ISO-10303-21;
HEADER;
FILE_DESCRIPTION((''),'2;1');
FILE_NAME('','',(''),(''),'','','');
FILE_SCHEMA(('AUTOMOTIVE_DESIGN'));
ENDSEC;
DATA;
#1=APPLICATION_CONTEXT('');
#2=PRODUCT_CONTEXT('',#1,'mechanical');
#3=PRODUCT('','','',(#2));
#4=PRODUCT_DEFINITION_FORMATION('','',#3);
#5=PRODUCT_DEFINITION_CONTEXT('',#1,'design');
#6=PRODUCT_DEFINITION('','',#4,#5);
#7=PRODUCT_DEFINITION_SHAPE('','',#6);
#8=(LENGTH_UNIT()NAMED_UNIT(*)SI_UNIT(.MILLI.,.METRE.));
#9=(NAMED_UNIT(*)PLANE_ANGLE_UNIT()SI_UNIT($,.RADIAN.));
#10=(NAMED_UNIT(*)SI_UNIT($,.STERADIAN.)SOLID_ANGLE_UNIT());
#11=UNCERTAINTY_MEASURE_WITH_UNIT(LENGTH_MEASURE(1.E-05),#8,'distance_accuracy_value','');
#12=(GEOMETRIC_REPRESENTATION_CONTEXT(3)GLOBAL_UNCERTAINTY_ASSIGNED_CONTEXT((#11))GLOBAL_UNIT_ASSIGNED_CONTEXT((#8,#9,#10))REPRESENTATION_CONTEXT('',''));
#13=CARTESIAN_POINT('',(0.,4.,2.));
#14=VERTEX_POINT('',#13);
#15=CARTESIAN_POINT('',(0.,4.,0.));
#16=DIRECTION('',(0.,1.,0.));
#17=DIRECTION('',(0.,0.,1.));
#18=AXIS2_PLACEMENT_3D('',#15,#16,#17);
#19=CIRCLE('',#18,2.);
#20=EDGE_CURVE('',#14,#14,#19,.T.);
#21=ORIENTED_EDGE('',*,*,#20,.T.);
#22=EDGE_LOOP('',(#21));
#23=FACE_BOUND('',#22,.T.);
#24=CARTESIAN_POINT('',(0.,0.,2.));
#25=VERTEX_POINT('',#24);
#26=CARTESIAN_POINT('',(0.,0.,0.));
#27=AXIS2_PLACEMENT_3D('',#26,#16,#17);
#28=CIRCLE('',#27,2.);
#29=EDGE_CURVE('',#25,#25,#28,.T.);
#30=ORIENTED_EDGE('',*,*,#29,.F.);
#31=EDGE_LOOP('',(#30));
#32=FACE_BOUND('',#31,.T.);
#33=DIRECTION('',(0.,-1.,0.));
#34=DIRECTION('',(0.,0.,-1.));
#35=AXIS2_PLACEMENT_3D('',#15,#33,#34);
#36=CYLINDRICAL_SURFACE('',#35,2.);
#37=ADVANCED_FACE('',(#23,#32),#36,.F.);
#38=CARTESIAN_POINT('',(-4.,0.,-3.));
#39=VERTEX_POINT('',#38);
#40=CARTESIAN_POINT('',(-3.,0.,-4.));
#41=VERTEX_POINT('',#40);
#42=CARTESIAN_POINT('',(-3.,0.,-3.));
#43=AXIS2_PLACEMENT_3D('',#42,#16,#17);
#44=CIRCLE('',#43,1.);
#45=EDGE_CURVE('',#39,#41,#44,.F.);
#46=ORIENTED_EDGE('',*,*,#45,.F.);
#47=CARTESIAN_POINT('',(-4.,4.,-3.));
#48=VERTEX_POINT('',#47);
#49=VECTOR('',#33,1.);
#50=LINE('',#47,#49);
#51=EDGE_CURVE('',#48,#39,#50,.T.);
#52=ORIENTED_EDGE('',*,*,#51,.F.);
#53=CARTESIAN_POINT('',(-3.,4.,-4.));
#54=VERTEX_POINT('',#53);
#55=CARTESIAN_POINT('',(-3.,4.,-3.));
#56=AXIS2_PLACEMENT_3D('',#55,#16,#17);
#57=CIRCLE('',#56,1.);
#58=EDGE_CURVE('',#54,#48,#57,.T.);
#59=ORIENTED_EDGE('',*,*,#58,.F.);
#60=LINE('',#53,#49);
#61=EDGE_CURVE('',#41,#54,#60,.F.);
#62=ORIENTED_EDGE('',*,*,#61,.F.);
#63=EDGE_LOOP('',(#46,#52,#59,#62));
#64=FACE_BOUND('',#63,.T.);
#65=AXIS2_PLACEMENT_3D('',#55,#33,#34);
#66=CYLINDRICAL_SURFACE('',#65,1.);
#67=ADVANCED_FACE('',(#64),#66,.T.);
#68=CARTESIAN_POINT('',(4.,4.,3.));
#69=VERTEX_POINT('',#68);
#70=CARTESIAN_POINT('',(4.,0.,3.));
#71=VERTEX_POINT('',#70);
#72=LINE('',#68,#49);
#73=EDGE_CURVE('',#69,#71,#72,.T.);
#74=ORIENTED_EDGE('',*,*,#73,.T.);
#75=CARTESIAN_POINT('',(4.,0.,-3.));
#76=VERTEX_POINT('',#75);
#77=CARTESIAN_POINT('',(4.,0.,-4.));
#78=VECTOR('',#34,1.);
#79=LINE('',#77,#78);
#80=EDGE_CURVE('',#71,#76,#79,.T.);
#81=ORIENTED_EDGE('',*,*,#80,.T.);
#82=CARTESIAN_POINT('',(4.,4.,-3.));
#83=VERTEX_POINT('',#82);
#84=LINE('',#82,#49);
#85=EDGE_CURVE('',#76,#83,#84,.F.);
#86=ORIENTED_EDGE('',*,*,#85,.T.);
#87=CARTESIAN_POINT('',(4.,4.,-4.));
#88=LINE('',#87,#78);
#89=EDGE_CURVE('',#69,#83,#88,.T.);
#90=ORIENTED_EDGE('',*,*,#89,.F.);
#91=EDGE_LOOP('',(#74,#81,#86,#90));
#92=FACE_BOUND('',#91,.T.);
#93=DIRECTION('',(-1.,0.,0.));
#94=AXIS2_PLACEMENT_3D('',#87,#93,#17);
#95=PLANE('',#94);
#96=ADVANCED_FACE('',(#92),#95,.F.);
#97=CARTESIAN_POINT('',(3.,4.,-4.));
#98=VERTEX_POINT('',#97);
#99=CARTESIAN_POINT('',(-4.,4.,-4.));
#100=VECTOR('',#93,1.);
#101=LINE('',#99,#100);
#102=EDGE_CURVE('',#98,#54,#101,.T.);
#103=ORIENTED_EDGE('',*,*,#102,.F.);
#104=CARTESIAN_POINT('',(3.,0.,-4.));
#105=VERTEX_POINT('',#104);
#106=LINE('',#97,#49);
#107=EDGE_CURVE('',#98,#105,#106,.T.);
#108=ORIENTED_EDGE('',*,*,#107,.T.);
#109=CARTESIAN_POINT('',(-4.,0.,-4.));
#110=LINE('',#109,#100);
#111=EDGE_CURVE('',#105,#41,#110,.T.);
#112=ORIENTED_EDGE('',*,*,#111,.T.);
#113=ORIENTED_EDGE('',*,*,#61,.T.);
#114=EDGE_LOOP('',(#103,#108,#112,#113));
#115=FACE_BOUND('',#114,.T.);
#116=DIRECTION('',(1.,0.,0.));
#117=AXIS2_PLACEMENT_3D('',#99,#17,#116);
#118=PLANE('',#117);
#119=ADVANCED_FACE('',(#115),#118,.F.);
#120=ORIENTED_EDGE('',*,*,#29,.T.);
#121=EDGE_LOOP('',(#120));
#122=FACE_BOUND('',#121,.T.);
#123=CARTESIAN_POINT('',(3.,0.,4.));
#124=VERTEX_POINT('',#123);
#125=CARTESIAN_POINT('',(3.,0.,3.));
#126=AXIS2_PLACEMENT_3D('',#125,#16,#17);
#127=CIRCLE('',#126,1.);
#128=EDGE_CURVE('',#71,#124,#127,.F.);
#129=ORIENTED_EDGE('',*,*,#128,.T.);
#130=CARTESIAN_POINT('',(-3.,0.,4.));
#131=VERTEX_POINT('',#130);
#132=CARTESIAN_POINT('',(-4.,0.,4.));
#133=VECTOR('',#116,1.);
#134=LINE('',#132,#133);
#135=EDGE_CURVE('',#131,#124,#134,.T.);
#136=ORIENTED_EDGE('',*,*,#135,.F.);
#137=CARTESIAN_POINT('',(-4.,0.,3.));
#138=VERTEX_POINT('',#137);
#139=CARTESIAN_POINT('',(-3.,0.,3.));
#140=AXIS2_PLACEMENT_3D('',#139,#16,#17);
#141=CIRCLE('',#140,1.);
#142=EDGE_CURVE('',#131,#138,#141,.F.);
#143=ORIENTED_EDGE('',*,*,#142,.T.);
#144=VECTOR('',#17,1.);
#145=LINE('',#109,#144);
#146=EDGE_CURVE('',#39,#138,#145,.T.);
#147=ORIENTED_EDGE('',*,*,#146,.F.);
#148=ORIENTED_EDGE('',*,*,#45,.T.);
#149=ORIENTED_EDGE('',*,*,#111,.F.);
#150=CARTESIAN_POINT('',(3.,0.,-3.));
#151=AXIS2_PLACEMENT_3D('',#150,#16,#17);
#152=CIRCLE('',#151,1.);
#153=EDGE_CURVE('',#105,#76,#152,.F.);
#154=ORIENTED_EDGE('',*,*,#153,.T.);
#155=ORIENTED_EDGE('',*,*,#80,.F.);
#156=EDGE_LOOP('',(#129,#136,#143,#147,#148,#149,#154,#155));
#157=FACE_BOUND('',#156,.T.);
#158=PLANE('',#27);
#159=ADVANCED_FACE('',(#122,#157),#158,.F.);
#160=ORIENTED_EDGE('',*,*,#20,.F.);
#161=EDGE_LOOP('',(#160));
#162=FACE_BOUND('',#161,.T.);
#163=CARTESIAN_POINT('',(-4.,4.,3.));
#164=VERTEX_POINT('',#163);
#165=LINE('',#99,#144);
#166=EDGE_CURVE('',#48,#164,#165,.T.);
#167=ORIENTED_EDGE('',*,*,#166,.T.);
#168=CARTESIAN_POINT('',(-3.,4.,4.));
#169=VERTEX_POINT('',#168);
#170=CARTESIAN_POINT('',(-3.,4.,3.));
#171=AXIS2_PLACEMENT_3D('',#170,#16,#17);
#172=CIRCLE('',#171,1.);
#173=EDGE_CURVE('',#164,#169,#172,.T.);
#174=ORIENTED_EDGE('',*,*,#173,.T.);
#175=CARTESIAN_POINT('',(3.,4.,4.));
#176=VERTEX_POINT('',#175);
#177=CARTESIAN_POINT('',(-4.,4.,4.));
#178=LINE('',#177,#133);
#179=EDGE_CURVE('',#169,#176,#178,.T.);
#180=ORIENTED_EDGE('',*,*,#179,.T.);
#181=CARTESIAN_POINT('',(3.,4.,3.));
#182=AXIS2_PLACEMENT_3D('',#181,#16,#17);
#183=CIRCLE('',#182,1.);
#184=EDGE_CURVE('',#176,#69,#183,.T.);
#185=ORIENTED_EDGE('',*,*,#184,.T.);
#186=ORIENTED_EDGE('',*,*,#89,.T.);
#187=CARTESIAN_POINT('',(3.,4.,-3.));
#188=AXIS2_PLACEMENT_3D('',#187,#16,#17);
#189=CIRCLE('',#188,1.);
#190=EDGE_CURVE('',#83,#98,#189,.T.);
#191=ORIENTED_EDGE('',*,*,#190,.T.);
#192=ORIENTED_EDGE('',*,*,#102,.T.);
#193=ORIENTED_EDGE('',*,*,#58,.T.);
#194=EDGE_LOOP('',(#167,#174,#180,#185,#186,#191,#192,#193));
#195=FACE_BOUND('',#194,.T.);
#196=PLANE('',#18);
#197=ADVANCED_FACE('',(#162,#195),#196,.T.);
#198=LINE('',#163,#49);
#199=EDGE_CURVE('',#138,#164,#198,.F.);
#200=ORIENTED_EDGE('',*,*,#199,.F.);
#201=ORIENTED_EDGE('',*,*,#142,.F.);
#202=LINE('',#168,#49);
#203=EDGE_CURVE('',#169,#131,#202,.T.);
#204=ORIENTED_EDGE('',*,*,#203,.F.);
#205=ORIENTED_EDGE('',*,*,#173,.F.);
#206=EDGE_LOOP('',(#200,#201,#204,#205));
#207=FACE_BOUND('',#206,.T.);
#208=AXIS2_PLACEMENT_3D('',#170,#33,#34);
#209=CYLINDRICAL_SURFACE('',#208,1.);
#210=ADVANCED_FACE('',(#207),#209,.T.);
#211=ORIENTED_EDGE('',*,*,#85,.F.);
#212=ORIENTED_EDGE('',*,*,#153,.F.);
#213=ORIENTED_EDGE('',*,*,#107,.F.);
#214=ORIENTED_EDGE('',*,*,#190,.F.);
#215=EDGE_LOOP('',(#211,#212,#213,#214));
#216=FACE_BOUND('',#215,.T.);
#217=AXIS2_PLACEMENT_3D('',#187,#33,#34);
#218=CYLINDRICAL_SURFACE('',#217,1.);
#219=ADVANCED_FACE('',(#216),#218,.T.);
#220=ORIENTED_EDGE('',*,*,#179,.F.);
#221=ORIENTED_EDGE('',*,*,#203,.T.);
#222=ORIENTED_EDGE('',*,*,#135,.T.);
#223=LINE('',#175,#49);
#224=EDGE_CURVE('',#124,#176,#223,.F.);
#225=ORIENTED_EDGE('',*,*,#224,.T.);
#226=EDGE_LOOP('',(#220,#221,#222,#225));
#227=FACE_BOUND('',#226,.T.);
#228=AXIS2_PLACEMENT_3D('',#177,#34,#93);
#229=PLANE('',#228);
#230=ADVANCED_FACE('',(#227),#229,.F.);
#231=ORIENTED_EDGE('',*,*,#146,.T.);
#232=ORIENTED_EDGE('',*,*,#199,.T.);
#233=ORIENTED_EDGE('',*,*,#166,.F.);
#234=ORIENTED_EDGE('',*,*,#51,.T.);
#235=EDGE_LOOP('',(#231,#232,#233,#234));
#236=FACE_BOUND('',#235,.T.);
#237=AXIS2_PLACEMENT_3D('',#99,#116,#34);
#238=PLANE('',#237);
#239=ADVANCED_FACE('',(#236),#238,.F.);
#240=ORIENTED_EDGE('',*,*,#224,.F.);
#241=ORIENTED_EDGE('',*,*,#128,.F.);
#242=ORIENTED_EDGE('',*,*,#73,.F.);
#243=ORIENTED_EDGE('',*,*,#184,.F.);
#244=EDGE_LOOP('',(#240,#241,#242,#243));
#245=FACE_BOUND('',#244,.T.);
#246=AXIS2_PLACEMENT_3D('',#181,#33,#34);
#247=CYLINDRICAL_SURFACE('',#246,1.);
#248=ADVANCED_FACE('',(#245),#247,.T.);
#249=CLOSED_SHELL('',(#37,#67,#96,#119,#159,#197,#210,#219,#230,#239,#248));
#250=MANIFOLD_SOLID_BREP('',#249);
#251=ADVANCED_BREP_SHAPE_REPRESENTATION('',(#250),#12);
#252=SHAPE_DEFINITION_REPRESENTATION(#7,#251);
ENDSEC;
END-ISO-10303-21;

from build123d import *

# Parameters (mm, degrees)
SKETCH_1_W      = 8
SKETCH_1_H      = 8
SKETCH_1_R      = 2
EXTRUDE_1_DEPTH = 4
FILLET_1_R      = 1


with BuildPart() as part:
    # 草图1 → 凸台-拉伸1 (new body)
    with BuildSketch(Plane(origin=(0, 0, 0), x_dir=(1, 0, 0), z_dir=(0, 1, 0))):
        Rectangle(SKETCH_1_W, SKETCH_1_H)
        Circle(SKETCH_1_R, mode=Mode.SUBTRACT)
    extrude(amount=EXTRUDE_1_DEPTH)

    # 圆角1
    fillet_1_edges = [part.edges().sort_by_distance(p)[0] for p in [
        (4, 2, 4),
        (-4, 2, 4),
        (-4, 2, -4),
        (4, 2, -4),
    ]]
    fillet(fillet_1_edges, radius=FILLET_1_R)


solid = part.part
